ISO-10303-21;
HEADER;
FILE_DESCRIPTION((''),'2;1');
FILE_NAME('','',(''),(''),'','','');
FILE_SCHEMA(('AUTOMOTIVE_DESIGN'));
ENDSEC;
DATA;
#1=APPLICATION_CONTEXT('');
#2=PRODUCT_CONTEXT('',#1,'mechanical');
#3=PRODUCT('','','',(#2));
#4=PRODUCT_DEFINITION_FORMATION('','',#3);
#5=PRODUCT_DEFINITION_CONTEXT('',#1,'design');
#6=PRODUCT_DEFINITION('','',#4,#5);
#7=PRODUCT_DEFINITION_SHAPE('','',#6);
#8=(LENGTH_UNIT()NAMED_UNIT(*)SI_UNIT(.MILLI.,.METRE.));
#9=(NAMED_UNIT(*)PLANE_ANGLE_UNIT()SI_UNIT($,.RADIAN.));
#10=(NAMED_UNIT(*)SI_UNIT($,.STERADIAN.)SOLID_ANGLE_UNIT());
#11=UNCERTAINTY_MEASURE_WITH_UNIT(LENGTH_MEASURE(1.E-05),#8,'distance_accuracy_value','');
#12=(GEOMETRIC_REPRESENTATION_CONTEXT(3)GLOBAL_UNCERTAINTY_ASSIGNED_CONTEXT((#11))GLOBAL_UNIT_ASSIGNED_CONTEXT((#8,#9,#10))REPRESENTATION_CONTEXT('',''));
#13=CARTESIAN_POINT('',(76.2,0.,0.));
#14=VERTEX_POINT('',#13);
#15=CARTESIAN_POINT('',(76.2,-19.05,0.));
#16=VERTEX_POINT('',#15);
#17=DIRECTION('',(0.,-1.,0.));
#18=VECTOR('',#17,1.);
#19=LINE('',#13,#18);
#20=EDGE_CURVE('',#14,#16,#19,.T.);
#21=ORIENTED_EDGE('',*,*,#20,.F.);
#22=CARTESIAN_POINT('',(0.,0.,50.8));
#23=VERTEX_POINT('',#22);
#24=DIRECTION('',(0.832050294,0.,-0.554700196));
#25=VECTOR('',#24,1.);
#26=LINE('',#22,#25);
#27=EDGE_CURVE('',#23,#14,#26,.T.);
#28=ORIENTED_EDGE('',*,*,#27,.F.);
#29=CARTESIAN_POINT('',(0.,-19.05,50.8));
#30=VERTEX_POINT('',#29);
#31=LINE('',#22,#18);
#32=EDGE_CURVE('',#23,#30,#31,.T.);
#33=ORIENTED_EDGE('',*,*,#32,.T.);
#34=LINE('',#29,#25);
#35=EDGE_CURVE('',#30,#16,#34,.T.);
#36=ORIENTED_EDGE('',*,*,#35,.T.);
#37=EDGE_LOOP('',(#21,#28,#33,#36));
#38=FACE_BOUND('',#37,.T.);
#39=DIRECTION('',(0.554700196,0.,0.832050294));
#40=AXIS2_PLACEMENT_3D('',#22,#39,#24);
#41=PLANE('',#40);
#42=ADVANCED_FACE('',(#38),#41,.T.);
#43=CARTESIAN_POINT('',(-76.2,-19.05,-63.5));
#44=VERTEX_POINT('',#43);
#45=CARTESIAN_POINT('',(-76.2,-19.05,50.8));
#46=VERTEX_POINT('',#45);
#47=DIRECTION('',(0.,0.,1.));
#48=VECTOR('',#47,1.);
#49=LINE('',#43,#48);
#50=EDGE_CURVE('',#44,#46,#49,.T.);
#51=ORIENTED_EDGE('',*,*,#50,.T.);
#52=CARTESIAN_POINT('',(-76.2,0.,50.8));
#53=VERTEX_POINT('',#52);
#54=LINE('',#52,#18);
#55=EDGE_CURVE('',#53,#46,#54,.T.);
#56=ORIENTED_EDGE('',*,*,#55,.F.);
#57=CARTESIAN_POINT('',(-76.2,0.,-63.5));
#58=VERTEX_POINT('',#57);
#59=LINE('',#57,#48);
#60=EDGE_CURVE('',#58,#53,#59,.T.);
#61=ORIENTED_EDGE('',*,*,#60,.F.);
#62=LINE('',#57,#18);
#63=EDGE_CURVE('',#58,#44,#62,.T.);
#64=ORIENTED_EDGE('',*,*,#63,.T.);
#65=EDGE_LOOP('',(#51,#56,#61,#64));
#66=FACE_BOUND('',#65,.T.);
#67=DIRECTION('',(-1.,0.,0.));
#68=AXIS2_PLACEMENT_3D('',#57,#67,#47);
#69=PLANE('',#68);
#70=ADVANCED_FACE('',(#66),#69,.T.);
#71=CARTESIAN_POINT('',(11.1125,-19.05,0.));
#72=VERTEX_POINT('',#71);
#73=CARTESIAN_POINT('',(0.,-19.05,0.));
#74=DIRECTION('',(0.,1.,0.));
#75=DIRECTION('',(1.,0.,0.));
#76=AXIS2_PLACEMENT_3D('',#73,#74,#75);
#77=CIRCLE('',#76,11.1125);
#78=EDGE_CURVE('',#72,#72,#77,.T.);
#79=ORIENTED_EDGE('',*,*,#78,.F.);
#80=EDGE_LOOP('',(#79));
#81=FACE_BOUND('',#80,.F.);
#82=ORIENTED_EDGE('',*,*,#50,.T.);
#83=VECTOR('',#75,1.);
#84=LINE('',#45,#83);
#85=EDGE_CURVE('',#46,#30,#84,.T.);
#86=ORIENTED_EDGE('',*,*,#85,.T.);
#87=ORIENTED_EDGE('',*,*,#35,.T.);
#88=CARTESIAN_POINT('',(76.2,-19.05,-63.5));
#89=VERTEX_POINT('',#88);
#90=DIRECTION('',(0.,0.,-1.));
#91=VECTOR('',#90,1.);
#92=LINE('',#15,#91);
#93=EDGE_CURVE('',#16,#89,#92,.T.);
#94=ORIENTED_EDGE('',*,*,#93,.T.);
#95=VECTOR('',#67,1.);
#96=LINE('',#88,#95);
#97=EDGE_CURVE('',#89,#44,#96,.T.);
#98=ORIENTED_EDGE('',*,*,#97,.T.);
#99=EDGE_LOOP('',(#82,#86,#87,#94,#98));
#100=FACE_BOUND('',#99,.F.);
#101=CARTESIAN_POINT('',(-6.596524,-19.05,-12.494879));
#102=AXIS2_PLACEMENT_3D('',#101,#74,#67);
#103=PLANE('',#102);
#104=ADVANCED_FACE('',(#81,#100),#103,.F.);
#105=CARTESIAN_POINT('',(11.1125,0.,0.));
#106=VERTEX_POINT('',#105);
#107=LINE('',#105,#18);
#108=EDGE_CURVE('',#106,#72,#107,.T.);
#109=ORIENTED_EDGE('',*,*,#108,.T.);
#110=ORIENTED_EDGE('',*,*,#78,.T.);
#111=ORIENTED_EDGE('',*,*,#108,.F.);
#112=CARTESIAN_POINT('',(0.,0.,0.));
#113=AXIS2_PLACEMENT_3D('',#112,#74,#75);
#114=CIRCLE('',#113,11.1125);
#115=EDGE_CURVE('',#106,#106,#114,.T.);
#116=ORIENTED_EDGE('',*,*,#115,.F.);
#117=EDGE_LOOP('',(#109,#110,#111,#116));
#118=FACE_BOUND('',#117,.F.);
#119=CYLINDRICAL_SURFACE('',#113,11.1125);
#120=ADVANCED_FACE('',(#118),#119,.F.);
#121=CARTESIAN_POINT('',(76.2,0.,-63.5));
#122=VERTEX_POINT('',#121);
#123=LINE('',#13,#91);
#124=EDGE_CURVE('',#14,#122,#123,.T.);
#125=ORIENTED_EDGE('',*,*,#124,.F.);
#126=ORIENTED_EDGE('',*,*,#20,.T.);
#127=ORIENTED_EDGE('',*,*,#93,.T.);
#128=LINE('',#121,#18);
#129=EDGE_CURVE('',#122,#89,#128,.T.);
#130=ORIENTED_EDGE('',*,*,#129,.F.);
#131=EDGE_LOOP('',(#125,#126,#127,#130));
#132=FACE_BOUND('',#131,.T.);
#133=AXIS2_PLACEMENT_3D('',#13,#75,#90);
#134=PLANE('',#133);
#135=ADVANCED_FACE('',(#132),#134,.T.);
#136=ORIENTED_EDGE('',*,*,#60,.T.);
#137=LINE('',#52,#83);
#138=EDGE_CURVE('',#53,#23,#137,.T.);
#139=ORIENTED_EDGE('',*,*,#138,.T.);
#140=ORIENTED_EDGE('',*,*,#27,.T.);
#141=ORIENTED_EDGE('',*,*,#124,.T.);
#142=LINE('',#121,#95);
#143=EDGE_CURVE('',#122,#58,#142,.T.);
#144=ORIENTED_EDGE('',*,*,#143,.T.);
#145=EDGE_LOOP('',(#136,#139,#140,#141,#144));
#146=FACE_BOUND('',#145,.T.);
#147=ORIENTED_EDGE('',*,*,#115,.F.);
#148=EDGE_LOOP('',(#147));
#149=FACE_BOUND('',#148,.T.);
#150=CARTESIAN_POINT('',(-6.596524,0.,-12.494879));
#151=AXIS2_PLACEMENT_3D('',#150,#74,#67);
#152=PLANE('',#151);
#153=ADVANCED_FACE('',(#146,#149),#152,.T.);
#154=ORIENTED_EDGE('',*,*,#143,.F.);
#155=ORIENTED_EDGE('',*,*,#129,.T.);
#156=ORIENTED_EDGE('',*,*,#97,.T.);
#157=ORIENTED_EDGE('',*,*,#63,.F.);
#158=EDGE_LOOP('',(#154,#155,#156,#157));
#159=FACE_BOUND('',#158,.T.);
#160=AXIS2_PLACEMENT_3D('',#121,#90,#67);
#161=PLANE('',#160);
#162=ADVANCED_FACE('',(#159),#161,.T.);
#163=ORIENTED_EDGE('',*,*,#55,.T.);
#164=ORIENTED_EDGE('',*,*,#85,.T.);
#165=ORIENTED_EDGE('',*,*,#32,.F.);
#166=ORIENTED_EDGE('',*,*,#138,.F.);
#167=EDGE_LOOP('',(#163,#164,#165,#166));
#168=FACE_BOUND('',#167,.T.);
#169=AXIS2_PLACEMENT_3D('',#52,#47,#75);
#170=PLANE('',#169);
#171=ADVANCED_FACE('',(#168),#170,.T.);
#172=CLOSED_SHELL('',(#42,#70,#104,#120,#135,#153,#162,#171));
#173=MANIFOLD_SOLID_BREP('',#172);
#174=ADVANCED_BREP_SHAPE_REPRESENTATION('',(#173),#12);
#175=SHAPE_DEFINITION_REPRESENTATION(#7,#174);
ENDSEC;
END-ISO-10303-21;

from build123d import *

# Parameters (mm, degrees)
PAD_DEPTH    = 19.05
SKETCH001_R  = 11.1125
POCKET_DEPTH = 19.051


with BuildPart() as part:
    # Sketch → Pad (new body)
    with BuildSketch(Plane.XZ):
        Polygon((-76.2, -63.5), (-76.2, 50.8), (0, 50.8), (76.2, 0), (76.2, -63.5), align=None)
    extrude(amount=PAD_DEPTH)

    # Sketch001 (on Face6 of Pad) → Pocket (cut, through all)
    with BuildSketch(Plane(origin=(0, 0, 0), x_dir=(1, 0, 0), z_dir=(0, 1, 0))):
        Circle(SKETCH001_R)
    extrude(amount=-POCKET_DEPTH, mode=Mode.SUBTRACT)


solid = part.part
